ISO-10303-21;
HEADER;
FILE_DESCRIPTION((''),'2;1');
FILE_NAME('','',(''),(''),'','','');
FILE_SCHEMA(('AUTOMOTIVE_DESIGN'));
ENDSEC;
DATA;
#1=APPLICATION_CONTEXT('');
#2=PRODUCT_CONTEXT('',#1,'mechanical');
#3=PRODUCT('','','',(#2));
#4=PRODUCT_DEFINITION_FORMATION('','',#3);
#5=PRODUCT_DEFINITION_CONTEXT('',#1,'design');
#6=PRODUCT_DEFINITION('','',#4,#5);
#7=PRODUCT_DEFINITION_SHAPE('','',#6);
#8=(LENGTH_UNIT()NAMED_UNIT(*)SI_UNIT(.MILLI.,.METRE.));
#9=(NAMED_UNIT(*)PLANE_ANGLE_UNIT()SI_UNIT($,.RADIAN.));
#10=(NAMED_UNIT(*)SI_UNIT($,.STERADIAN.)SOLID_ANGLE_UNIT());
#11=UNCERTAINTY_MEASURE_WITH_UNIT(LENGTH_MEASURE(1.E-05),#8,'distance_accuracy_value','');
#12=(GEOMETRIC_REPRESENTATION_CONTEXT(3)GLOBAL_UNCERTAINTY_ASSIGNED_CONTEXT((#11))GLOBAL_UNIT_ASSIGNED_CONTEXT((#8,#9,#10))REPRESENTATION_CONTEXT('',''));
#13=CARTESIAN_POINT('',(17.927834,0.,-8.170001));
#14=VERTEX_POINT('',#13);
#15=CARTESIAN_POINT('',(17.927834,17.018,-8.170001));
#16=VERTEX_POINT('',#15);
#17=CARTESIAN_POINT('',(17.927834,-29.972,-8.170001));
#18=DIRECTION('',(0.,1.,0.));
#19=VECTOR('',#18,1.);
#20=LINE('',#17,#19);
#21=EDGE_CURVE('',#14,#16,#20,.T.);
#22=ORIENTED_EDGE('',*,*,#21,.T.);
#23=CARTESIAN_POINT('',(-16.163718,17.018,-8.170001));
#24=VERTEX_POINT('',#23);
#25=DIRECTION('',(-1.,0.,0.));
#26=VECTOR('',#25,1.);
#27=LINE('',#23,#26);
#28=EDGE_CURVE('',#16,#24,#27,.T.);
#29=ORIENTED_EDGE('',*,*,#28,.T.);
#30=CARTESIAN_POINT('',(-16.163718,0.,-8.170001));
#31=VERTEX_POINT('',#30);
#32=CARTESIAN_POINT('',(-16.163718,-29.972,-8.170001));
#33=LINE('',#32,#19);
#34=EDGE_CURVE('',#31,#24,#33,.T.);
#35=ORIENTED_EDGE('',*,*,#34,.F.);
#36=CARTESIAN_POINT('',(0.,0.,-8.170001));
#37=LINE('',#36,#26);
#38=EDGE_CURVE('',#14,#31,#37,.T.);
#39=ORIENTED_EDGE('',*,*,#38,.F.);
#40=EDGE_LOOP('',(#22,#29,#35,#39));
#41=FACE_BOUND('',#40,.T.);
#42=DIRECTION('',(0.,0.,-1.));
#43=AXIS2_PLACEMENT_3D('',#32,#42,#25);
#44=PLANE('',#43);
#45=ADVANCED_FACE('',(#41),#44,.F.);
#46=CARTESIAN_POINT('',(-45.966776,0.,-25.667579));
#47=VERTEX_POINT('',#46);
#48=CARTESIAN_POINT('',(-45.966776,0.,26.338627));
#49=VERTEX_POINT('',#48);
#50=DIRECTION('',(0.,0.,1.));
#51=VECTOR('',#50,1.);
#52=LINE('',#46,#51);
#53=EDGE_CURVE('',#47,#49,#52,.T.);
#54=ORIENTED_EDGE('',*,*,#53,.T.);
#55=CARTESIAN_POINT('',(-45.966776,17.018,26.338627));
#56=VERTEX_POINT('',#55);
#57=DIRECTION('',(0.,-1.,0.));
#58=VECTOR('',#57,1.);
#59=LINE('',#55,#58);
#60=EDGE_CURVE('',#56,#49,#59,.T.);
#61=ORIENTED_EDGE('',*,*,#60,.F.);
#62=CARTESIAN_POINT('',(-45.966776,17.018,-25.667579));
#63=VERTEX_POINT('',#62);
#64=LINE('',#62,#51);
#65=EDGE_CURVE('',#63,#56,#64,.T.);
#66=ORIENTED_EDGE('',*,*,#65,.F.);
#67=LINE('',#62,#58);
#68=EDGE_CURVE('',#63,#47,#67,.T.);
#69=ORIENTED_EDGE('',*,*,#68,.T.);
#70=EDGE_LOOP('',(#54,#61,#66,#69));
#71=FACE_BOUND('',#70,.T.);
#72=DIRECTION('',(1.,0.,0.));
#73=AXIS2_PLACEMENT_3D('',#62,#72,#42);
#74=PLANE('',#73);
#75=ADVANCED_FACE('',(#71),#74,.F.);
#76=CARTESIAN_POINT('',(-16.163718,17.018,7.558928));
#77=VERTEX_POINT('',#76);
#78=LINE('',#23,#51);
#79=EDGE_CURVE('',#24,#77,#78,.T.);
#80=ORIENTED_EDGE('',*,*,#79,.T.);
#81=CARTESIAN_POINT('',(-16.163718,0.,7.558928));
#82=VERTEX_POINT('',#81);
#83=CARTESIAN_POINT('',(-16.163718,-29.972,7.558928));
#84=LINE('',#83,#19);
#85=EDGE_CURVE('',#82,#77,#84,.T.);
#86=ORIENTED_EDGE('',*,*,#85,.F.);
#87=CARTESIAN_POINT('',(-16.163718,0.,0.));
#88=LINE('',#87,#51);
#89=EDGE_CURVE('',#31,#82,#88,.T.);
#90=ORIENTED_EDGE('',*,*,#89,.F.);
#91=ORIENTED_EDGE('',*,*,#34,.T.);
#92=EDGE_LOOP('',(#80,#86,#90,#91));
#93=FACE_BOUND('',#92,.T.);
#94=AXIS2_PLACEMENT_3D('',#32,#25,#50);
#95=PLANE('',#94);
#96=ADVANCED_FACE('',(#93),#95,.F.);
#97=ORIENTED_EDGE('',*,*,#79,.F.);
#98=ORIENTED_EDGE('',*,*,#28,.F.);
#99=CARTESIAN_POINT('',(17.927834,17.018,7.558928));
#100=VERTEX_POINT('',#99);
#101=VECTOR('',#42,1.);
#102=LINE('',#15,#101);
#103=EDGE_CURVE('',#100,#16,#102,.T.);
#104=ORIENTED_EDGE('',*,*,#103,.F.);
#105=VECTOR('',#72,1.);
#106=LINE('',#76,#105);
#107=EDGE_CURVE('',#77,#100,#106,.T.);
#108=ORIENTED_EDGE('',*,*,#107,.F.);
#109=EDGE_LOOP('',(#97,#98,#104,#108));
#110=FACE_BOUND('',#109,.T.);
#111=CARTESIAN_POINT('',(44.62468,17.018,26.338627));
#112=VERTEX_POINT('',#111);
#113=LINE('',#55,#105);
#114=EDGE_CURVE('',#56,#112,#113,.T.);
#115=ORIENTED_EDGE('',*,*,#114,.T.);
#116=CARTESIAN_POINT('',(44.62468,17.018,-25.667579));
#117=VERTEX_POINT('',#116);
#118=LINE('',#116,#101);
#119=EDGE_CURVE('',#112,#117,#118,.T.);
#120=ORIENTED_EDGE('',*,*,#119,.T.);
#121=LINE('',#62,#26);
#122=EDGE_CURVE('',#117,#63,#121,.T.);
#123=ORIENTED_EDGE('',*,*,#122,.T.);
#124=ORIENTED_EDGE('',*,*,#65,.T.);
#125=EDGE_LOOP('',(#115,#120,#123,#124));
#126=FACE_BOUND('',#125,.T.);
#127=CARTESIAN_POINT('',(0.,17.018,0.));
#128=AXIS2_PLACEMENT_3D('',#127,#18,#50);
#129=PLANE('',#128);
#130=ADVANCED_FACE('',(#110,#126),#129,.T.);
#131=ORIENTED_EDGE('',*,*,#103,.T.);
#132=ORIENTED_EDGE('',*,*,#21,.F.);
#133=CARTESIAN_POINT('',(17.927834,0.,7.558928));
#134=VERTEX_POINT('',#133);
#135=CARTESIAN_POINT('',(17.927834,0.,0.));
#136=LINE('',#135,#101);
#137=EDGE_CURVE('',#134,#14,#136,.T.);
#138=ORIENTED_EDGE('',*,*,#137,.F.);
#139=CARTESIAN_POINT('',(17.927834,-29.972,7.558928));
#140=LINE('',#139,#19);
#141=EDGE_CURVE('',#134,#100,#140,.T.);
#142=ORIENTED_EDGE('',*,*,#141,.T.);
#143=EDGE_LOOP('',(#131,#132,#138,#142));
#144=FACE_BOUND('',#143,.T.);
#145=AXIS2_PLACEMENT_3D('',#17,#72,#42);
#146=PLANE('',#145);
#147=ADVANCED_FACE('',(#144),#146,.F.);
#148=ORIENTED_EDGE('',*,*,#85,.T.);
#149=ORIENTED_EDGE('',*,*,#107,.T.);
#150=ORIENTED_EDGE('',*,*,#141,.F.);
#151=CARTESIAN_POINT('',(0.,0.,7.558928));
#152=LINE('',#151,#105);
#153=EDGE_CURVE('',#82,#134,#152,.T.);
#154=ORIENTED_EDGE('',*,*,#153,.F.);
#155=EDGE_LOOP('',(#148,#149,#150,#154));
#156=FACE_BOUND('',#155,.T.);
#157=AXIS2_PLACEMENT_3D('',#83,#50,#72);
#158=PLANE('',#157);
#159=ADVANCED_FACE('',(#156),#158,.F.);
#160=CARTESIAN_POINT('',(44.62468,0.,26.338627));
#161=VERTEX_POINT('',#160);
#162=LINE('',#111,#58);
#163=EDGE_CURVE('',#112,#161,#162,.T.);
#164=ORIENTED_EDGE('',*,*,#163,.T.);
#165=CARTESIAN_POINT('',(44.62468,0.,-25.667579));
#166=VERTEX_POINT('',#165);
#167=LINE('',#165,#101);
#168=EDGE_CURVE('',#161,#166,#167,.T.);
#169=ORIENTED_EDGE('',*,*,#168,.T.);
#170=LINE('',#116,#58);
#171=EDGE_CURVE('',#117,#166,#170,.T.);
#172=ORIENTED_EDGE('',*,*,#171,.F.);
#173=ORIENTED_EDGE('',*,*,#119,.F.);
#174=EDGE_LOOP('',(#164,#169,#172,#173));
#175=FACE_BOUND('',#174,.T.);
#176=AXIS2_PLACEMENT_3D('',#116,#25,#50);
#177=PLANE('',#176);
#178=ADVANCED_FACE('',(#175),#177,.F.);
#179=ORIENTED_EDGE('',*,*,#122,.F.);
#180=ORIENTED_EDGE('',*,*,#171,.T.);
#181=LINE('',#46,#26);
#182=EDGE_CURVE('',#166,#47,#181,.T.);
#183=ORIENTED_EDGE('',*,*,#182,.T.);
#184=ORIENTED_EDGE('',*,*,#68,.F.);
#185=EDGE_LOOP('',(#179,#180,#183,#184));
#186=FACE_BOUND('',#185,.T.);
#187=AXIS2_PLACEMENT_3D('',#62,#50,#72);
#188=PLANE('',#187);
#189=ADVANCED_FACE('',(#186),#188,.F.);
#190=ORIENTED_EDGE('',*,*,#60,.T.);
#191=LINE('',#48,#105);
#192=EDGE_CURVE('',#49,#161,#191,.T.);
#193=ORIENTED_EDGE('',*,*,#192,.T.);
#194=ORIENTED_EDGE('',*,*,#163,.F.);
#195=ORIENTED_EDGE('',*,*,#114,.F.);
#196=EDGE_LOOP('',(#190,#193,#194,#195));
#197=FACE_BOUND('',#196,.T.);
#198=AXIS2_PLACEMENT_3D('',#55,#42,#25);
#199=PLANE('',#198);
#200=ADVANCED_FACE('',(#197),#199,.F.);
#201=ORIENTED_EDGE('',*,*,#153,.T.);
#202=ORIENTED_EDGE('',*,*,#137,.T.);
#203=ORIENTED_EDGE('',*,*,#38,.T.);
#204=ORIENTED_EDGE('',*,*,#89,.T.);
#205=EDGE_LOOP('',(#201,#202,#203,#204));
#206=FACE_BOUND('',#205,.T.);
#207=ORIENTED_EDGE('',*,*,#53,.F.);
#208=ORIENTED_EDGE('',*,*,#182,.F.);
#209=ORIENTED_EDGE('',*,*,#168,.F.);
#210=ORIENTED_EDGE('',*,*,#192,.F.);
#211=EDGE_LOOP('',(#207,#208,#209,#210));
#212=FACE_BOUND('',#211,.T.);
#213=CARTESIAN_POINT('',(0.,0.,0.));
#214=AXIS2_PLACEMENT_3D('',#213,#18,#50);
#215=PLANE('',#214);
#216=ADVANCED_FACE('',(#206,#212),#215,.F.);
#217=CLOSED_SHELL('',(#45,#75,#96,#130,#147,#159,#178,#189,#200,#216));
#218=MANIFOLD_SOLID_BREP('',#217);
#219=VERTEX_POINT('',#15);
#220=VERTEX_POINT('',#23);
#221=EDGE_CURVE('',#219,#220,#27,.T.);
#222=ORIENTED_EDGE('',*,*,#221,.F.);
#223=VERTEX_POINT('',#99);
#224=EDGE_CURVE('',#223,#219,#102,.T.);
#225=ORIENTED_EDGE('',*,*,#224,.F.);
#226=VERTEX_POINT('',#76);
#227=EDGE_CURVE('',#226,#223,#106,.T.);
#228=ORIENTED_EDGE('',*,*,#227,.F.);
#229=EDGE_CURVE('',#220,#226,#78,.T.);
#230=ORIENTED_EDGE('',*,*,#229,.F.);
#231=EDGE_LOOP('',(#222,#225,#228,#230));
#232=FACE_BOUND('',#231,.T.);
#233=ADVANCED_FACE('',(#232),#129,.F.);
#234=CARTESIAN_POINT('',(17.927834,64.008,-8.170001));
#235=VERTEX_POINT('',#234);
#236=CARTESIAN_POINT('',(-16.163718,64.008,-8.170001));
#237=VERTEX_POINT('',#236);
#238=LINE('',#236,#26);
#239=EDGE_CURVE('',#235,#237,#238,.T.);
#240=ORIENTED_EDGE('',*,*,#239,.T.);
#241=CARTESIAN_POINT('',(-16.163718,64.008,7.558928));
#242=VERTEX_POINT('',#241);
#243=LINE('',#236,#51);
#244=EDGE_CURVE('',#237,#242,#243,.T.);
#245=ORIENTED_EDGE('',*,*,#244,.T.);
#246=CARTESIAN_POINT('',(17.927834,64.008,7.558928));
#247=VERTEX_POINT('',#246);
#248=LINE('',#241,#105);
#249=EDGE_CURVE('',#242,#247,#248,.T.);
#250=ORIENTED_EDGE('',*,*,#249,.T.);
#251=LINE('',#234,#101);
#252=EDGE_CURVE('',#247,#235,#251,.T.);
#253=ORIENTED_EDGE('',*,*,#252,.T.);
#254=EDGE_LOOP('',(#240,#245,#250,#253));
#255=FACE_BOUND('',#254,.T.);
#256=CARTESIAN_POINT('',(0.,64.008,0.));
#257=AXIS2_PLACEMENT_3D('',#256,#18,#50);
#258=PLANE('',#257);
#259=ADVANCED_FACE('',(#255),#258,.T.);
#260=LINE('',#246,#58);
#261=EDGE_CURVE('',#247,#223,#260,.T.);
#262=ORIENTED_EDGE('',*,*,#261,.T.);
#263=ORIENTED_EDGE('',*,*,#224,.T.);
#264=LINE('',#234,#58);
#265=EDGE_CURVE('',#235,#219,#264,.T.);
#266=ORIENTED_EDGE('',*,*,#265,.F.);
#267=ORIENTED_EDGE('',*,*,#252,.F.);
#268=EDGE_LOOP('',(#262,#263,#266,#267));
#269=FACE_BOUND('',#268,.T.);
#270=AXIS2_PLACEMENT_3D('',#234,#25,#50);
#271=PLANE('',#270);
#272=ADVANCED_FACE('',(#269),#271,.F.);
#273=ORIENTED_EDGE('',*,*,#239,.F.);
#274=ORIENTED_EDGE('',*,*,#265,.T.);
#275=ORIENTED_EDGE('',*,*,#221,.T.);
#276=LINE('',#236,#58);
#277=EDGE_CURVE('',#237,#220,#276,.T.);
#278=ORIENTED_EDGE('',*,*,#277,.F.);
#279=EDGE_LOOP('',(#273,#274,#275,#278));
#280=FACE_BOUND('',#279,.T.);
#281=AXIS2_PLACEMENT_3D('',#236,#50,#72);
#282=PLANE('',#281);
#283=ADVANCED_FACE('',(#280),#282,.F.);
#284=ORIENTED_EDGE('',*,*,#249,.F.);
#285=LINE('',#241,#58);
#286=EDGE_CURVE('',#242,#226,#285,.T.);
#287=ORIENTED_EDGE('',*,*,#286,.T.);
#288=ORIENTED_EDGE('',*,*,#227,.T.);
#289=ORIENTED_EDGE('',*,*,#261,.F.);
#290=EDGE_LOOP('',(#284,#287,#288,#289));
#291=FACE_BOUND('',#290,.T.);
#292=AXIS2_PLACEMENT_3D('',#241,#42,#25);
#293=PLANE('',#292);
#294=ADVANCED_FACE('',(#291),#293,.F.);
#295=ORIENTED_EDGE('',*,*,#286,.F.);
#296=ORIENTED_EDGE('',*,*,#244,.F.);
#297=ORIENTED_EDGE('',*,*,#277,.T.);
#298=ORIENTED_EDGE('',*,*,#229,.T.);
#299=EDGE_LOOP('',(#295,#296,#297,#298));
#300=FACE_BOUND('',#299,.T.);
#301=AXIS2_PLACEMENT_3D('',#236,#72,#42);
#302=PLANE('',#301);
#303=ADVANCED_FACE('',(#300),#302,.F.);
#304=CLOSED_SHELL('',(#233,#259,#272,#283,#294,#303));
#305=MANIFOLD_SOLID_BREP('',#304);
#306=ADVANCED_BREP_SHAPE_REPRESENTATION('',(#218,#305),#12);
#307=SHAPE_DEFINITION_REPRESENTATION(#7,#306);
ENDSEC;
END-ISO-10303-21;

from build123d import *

# Parameters (mm, degrees)
SKETCH2_W           = 90.591455621
SKETCH2_H           = 52.006206005
BOSS_EXTRUDE1_DEPTH = 17.018
SKETCH4_W           = 34.091551214
SKETCH4_H           = 15.728929147
CUT_EXTRUDE2_DEPTH  = 46.99
SKETCH4_2_W         = 34.091551214
SKETCH4_2_H         = 15.728929147
BOSS_EXTRUDE2_DEPTH = 46.99


with BuildPart() as part:
    # Sketch2 → Boss-Extrude1 (new body)
    with BuildSketch(Plane(origin=(0, 0, 0), x_dir=(1, 0, 0), z_dir=(0, 1, 0))):
        with Locations((-0.67104782, -0.33552391)):
            Rectangle(SKETCH2_W, SKETCH2_H)
    extrude(amount=BOSS_EXTRUDE1_DEPTH)

    # Sketch4 → Cut-Extrude2 (cut)
    with BuildSketch(Plane(origin=(0, 17.018, 0), x_dir=(1, 0, 0), z_dir=(0, 1, 0))):
        with Locations((0.882057956, 0.305536675)):
            Rectangle(SKETCH4_W, SKETCH4_H)
    extrude(amount=-CUT_EXTRUDE2_DEPTH, mode=Mode.SUBTRACT)


with BuildPart() as body_2:
    # Sketch4<2> → Boss-Extrude2 (new body)
    with BuildSketch(Plane(origin=(0, 17.018, 0), x_dir=(1, 0, 0), z_dir=(0, 1, 0))):
        with Locations((0.882057956, 0.305536675)):
            Rectangle(SKETCH4_2_W, SKETCH4_2_H)
    extrude(amount=BOSS_EXTRUDE2_DEPTH)


solid = Compound([part.part, body_2.part])
